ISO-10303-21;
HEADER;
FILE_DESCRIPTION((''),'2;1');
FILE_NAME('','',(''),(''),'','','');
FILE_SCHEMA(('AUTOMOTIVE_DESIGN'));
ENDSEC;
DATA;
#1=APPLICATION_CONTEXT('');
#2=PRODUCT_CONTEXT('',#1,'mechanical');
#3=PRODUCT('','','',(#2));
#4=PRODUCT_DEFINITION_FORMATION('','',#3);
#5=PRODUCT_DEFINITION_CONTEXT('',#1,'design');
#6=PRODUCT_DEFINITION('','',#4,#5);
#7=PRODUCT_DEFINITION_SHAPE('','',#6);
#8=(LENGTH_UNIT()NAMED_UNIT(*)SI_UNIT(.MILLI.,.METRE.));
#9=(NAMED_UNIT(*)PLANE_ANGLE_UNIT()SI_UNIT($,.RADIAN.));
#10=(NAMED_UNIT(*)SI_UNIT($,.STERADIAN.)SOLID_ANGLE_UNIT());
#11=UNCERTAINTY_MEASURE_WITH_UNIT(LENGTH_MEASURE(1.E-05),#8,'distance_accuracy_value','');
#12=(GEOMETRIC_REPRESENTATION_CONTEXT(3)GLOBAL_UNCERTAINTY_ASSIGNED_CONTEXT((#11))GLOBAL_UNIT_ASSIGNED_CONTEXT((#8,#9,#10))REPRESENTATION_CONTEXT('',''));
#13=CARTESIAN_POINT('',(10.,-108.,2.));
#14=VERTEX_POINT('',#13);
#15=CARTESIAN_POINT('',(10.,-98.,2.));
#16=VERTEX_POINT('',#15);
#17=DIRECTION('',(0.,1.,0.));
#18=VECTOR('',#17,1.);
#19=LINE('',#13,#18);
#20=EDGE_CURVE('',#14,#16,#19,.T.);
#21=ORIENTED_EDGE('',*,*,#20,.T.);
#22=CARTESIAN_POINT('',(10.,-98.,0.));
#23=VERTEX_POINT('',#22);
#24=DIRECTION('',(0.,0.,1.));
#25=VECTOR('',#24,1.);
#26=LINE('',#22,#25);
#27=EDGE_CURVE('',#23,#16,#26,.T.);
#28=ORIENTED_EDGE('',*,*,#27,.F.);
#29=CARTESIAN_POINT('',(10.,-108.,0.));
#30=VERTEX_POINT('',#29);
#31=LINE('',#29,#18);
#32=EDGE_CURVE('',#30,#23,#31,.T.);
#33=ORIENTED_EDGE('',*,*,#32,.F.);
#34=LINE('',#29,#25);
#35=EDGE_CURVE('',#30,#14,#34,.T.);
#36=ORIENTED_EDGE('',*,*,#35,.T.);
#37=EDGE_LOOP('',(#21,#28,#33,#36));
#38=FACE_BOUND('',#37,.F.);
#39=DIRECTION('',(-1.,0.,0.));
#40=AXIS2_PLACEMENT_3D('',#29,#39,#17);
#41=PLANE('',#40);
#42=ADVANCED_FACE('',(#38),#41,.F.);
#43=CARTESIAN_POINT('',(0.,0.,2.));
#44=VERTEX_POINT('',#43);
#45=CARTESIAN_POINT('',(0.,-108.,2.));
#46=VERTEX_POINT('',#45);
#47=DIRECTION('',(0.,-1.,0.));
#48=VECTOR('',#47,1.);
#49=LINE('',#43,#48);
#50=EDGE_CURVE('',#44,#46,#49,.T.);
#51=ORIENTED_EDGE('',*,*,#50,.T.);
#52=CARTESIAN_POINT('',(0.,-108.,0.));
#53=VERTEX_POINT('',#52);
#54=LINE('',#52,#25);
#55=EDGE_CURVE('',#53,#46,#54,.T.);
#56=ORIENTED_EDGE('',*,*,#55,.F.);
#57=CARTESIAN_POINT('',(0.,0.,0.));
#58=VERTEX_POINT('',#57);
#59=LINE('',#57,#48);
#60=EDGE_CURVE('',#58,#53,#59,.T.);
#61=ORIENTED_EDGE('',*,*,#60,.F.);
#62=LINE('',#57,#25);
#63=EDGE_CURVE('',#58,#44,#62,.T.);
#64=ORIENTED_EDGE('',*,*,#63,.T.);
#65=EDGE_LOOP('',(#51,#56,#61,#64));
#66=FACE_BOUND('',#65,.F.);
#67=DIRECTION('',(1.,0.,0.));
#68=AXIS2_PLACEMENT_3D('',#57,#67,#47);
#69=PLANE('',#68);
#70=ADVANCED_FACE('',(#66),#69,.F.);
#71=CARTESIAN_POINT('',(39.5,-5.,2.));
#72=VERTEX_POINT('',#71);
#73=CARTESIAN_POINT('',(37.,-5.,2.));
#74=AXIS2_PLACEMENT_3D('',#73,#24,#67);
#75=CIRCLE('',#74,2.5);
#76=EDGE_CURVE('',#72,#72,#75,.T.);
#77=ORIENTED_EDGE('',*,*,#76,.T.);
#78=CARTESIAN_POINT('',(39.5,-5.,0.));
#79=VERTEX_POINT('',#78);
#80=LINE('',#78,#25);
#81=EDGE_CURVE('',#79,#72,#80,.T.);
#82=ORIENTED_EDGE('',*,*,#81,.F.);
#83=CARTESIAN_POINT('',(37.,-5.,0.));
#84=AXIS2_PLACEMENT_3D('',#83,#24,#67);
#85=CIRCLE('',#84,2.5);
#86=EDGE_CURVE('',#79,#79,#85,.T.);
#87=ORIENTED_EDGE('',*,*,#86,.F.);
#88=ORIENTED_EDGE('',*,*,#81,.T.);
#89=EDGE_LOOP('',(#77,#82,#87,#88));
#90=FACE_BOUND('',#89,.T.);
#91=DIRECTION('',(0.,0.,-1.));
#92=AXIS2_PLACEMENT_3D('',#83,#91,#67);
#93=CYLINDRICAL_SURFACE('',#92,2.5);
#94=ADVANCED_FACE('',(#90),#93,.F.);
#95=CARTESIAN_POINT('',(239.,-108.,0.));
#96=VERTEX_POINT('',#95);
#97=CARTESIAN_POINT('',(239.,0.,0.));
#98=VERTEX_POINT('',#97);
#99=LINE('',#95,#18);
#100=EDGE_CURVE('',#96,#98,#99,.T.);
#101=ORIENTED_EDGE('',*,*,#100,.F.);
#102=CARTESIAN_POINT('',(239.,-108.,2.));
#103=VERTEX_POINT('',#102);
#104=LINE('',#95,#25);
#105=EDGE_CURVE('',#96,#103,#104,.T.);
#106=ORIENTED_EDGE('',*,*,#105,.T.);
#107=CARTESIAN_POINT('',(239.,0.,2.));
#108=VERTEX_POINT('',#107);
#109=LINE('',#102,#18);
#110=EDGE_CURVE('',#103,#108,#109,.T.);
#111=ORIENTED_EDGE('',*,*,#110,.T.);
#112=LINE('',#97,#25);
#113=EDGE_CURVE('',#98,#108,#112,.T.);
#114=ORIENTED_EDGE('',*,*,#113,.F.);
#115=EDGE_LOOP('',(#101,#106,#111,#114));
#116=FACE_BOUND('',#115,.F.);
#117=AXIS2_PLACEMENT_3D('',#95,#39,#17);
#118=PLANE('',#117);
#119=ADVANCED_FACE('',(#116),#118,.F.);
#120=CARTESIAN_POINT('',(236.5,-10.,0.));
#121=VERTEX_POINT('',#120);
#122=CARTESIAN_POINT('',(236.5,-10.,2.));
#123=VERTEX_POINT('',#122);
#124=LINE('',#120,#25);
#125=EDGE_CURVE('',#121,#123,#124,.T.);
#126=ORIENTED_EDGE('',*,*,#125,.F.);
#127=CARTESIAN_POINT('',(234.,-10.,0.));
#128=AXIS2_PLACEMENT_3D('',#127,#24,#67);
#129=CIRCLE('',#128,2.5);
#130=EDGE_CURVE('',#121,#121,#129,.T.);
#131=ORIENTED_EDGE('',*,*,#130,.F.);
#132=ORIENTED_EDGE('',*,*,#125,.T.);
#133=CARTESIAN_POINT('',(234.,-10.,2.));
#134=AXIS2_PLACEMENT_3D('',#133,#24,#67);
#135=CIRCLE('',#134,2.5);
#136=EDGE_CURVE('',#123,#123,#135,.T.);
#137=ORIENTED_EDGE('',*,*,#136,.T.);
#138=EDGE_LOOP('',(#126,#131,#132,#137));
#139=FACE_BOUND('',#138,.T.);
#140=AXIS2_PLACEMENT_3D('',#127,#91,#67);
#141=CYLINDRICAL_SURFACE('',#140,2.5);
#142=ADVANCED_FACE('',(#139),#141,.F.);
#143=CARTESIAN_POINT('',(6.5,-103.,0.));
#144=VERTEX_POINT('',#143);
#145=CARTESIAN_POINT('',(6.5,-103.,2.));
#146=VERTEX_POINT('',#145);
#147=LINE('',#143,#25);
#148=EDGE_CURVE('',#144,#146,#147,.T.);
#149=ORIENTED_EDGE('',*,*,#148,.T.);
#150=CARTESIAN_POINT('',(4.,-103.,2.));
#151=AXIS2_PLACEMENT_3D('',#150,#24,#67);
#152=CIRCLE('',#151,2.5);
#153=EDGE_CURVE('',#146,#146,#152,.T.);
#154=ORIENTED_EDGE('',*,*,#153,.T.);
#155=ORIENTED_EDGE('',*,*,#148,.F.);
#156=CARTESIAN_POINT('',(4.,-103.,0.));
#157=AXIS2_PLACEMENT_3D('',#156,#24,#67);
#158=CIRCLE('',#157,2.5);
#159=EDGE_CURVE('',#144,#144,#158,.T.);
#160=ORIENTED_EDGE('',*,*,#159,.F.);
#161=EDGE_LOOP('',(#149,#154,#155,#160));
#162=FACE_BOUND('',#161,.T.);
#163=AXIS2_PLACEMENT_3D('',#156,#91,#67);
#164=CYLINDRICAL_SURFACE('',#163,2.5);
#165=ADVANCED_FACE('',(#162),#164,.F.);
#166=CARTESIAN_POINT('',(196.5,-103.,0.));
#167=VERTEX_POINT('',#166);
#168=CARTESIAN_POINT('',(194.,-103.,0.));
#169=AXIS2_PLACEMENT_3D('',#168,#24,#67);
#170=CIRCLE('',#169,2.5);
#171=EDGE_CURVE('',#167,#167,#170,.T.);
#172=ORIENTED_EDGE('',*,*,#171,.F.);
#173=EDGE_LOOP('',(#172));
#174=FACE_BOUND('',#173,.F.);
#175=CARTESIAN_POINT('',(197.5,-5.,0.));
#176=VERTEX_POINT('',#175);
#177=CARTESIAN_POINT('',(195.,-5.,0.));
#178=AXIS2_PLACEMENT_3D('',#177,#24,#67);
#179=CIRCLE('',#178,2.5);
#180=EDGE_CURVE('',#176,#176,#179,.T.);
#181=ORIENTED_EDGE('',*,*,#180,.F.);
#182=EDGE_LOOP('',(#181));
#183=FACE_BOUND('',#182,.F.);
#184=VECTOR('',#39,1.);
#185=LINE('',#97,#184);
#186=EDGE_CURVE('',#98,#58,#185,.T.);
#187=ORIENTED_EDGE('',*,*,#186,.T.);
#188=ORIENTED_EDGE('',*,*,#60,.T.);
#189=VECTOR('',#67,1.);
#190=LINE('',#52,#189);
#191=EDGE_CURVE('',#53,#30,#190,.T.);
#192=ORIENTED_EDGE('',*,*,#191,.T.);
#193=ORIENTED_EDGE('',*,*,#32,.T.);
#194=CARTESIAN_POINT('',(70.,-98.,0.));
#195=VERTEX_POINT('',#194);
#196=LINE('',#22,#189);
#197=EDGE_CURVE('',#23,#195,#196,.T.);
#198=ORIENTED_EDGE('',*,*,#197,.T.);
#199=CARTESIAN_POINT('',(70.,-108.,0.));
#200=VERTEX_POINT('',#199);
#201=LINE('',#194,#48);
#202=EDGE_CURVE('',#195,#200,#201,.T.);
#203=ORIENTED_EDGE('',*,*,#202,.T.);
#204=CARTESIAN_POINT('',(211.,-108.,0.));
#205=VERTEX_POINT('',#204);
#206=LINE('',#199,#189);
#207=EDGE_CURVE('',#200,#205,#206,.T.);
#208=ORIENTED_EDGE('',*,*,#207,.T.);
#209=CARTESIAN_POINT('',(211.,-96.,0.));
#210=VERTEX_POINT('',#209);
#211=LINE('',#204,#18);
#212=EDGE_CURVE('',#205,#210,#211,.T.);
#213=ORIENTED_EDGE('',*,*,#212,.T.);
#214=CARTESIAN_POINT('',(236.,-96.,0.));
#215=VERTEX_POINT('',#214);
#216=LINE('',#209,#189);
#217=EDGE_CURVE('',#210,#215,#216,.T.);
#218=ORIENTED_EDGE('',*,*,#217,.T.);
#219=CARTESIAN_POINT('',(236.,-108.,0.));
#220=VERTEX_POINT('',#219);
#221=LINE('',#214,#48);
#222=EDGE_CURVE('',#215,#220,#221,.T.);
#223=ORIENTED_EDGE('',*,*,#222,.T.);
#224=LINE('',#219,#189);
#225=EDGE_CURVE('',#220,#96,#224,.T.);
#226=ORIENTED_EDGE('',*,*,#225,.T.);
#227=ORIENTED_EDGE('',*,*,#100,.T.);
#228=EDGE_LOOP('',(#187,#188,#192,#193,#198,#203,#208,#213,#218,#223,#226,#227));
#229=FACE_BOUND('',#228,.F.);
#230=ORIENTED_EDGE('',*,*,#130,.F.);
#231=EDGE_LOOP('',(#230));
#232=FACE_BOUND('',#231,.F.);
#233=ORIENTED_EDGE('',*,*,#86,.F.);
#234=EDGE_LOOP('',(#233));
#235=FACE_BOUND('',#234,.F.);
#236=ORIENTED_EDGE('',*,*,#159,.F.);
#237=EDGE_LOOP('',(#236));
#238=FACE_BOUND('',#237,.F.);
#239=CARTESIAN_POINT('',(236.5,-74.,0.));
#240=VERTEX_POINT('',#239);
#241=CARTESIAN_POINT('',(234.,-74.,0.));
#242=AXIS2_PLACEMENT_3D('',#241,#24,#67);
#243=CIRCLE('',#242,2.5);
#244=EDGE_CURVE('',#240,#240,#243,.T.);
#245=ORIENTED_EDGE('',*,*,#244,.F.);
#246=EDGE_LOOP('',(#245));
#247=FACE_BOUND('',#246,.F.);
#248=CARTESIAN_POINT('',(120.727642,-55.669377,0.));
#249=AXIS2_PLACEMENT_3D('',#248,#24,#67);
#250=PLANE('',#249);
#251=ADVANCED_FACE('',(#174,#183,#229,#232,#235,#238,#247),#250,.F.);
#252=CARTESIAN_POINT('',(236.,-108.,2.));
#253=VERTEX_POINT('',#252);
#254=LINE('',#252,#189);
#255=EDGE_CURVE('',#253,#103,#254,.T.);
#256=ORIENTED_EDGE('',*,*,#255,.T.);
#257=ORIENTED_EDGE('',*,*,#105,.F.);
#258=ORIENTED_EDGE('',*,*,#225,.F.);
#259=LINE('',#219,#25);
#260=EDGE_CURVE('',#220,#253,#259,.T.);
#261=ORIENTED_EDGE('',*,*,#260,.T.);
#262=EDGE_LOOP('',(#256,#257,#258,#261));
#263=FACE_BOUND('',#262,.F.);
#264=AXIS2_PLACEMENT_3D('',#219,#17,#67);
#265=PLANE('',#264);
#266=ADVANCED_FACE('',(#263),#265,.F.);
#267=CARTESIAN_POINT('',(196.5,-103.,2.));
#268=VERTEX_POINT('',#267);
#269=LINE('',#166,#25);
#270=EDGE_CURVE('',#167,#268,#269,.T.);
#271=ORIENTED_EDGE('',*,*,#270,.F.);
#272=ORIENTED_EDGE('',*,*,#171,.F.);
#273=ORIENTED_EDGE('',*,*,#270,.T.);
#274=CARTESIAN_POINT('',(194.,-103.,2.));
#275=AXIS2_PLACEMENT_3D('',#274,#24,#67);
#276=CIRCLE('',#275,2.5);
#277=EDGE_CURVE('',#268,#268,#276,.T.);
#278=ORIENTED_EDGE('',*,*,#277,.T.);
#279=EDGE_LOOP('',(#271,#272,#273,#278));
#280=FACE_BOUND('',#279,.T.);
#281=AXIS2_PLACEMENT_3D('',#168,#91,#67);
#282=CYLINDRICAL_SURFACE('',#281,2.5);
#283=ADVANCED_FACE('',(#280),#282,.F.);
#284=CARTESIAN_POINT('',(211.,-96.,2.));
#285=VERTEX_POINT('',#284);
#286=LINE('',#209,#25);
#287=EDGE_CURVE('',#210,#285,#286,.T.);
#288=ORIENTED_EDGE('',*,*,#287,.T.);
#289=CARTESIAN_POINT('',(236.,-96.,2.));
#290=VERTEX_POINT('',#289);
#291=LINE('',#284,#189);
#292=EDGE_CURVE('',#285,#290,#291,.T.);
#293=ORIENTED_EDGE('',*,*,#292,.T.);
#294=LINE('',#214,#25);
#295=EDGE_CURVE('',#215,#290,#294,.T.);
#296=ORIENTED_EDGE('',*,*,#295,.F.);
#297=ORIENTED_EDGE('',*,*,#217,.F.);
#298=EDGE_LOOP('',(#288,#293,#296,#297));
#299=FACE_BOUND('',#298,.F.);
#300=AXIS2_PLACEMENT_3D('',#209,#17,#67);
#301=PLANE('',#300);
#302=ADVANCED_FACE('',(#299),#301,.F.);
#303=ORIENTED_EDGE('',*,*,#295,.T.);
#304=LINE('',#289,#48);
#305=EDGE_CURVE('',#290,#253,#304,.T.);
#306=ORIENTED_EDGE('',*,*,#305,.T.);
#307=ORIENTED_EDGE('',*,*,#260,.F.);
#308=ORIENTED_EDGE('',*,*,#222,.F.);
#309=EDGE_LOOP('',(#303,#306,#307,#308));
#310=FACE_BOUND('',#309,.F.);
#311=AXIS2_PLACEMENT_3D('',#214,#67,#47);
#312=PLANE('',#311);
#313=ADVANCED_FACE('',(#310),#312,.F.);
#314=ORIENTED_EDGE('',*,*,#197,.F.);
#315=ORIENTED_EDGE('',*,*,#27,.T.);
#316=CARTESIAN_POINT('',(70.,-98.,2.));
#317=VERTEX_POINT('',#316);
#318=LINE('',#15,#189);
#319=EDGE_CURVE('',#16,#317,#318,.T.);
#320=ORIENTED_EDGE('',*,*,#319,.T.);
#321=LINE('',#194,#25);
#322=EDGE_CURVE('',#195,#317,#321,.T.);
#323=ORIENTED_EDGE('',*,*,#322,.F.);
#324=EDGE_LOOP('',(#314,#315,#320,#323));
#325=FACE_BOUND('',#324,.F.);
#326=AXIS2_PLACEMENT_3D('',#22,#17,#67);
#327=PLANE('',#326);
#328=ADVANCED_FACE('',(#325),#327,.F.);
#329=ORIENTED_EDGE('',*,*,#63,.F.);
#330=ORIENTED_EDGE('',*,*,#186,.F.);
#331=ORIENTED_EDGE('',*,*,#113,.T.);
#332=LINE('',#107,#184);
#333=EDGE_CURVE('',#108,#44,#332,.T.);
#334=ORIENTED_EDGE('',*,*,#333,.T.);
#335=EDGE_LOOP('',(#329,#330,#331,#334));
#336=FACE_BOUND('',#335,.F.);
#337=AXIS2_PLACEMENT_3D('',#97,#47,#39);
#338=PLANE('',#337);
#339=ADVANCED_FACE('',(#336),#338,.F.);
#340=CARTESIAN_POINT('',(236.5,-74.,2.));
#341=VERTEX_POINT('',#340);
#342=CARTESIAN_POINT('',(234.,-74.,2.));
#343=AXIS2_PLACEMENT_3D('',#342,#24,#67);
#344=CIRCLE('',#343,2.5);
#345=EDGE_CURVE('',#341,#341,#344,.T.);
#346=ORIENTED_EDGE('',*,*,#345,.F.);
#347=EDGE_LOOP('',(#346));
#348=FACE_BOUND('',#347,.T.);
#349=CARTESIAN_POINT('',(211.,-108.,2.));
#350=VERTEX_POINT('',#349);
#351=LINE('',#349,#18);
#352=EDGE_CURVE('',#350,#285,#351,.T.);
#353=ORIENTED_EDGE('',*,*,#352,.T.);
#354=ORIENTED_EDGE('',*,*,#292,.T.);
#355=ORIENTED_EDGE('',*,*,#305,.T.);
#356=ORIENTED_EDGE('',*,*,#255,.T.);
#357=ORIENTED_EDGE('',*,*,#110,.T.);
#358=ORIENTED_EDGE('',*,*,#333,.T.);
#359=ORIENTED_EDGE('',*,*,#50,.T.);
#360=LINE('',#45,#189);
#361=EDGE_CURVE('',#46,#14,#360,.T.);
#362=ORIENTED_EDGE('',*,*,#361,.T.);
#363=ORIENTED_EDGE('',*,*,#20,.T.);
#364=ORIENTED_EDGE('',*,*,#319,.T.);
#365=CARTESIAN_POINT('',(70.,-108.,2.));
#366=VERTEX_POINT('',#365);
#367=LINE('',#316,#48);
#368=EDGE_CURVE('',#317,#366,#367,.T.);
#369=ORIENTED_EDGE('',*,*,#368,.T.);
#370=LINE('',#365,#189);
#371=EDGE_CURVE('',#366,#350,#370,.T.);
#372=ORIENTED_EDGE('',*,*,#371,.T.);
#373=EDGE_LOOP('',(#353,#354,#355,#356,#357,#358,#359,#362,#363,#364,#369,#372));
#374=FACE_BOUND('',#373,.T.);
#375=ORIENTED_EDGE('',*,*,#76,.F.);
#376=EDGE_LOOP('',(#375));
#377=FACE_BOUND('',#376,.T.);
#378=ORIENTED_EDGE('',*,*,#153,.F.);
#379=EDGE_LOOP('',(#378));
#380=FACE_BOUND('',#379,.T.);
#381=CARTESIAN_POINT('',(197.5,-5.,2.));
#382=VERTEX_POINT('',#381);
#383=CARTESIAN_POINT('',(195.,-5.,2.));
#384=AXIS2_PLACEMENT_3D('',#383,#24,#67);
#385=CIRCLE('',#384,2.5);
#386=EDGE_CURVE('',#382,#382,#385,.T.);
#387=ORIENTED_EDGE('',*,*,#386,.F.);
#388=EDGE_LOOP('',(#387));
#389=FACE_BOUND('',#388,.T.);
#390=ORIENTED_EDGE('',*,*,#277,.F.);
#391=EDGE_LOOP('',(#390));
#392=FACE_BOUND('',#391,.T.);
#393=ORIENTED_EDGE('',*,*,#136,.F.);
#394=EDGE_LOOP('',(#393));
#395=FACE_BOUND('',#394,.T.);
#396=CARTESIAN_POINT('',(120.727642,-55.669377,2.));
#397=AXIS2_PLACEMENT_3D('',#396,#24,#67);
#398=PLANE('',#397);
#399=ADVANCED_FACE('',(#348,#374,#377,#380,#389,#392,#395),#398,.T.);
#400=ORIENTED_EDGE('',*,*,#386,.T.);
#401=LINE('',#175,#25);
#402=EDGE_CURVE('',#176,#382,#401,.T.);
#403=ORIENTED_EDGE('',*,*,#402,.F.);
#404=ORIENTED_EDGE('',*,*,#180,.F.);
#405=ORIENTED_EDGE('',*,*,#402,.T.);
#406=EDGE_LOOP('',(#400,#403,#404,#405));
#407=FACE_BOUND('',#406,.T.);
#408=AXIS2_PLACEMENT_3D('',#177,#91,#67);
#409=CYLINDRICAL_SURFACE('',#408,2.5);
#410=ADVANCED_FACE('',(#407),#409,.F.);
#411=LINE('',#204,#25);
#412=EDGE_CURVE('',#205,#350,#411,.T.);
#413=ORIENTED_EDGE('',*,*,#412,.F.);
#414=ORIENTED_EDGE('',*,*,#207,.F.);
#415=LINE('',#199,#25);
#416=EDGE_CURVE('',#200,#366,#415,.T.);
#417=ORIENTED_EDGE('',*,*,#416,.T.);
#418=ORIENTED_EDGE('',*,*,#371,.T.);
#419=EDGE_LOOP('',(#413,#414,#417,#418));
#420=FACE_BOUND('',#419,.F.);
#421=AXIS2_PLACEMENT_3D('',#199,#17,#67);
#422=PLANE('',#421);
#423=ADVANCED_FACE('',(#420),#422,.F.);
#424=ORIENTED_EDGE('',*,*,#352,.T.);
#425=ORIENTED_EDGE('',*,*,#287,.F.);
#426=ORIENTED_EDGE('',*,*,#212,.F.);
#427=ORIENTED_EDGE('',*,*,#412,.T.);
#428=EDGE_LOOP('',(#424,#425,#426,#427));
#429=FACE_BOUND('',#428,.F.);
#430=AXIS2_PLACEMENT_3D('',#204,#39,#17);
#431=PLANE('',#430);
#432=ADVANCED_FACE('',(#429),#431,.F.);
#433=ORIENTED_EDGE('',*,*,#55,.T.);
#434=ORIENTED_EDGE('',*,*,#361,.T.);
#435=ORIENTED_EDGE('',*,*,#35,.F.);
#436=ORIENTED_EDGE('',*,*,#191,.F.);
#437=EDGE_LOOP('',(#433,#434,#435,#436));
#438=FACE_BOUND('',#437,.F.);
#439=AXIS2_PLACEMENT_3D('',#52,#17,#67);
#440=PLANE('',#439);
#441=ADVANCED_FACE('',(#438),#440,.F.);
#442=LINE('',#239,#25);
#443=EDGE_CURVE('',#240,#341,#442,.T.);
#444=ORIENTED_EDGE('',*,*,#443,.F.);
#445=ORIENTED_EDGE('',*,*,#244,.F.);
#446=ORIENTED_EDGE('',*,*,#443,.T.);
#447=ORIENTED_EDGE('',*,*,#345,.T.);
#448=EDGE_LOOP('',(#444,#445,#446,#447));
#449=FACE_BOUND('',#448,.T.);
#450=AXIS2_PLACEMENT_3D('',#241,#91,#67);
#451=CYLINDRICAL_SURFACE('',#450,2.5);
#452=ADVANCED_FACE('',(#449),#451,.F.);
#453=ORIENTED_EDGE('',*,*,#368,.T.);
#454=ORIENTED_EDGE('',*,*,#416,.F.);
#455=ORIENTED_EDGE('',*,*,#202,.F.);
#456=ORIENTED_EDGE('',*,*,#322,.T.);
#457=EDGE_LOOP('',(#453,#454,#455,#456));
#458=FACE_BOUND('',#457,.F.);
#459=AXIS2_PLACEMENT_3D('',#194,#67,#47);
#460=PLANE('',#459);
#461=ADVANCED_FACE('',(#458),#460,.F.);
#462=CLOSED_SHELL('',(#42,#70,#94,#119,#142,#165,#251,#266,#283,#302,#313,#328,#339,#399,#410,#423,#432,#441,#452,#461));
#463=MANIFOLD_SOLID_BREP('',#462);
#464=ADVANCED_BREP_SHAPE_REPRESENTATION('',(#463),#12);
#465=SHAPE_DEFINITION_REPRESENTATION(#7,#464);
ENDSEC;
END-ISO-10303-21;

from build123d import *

# Parameters (mm, degrees)
F0_R     = 2.5
F1_DEPTH = 2


with BuildPart() as f1:
    # F0 (on Top) → F1 (new body)
    with BuildSketch(Plane.XY):
        Polygon((239, 0), (0, 0), (0, -108), (10, -108), (10, -98), (70, -98), (70, -108), (211, -108), (211, -96), (236, -96), (236, -108), (239, -108), align=None)
        with Locations((4, -103)):
            Circle(F0_R, mode=Mode.SUBTRACT)
        with Locations((194, -103)):
            Circle(F0_R, mode=Mode.SUBTRACT)
        with Locations((234, -74)):
            Circle(F0_R, mode=Mode.SUBTRACT)
        with Locations((37, -5)):
            Circle(F0_R, mode=Mode.SUBTRACT)
        with Locations((195, -5)):
            Circle(F0_R, mode=Mode.SUBTRACT)
        with Locations((234, -10)):
            Circle(F0_R, mode=Mode.SUBTRACT)
    extrude(amount=F1_DEPTH)


solid = f1.part
